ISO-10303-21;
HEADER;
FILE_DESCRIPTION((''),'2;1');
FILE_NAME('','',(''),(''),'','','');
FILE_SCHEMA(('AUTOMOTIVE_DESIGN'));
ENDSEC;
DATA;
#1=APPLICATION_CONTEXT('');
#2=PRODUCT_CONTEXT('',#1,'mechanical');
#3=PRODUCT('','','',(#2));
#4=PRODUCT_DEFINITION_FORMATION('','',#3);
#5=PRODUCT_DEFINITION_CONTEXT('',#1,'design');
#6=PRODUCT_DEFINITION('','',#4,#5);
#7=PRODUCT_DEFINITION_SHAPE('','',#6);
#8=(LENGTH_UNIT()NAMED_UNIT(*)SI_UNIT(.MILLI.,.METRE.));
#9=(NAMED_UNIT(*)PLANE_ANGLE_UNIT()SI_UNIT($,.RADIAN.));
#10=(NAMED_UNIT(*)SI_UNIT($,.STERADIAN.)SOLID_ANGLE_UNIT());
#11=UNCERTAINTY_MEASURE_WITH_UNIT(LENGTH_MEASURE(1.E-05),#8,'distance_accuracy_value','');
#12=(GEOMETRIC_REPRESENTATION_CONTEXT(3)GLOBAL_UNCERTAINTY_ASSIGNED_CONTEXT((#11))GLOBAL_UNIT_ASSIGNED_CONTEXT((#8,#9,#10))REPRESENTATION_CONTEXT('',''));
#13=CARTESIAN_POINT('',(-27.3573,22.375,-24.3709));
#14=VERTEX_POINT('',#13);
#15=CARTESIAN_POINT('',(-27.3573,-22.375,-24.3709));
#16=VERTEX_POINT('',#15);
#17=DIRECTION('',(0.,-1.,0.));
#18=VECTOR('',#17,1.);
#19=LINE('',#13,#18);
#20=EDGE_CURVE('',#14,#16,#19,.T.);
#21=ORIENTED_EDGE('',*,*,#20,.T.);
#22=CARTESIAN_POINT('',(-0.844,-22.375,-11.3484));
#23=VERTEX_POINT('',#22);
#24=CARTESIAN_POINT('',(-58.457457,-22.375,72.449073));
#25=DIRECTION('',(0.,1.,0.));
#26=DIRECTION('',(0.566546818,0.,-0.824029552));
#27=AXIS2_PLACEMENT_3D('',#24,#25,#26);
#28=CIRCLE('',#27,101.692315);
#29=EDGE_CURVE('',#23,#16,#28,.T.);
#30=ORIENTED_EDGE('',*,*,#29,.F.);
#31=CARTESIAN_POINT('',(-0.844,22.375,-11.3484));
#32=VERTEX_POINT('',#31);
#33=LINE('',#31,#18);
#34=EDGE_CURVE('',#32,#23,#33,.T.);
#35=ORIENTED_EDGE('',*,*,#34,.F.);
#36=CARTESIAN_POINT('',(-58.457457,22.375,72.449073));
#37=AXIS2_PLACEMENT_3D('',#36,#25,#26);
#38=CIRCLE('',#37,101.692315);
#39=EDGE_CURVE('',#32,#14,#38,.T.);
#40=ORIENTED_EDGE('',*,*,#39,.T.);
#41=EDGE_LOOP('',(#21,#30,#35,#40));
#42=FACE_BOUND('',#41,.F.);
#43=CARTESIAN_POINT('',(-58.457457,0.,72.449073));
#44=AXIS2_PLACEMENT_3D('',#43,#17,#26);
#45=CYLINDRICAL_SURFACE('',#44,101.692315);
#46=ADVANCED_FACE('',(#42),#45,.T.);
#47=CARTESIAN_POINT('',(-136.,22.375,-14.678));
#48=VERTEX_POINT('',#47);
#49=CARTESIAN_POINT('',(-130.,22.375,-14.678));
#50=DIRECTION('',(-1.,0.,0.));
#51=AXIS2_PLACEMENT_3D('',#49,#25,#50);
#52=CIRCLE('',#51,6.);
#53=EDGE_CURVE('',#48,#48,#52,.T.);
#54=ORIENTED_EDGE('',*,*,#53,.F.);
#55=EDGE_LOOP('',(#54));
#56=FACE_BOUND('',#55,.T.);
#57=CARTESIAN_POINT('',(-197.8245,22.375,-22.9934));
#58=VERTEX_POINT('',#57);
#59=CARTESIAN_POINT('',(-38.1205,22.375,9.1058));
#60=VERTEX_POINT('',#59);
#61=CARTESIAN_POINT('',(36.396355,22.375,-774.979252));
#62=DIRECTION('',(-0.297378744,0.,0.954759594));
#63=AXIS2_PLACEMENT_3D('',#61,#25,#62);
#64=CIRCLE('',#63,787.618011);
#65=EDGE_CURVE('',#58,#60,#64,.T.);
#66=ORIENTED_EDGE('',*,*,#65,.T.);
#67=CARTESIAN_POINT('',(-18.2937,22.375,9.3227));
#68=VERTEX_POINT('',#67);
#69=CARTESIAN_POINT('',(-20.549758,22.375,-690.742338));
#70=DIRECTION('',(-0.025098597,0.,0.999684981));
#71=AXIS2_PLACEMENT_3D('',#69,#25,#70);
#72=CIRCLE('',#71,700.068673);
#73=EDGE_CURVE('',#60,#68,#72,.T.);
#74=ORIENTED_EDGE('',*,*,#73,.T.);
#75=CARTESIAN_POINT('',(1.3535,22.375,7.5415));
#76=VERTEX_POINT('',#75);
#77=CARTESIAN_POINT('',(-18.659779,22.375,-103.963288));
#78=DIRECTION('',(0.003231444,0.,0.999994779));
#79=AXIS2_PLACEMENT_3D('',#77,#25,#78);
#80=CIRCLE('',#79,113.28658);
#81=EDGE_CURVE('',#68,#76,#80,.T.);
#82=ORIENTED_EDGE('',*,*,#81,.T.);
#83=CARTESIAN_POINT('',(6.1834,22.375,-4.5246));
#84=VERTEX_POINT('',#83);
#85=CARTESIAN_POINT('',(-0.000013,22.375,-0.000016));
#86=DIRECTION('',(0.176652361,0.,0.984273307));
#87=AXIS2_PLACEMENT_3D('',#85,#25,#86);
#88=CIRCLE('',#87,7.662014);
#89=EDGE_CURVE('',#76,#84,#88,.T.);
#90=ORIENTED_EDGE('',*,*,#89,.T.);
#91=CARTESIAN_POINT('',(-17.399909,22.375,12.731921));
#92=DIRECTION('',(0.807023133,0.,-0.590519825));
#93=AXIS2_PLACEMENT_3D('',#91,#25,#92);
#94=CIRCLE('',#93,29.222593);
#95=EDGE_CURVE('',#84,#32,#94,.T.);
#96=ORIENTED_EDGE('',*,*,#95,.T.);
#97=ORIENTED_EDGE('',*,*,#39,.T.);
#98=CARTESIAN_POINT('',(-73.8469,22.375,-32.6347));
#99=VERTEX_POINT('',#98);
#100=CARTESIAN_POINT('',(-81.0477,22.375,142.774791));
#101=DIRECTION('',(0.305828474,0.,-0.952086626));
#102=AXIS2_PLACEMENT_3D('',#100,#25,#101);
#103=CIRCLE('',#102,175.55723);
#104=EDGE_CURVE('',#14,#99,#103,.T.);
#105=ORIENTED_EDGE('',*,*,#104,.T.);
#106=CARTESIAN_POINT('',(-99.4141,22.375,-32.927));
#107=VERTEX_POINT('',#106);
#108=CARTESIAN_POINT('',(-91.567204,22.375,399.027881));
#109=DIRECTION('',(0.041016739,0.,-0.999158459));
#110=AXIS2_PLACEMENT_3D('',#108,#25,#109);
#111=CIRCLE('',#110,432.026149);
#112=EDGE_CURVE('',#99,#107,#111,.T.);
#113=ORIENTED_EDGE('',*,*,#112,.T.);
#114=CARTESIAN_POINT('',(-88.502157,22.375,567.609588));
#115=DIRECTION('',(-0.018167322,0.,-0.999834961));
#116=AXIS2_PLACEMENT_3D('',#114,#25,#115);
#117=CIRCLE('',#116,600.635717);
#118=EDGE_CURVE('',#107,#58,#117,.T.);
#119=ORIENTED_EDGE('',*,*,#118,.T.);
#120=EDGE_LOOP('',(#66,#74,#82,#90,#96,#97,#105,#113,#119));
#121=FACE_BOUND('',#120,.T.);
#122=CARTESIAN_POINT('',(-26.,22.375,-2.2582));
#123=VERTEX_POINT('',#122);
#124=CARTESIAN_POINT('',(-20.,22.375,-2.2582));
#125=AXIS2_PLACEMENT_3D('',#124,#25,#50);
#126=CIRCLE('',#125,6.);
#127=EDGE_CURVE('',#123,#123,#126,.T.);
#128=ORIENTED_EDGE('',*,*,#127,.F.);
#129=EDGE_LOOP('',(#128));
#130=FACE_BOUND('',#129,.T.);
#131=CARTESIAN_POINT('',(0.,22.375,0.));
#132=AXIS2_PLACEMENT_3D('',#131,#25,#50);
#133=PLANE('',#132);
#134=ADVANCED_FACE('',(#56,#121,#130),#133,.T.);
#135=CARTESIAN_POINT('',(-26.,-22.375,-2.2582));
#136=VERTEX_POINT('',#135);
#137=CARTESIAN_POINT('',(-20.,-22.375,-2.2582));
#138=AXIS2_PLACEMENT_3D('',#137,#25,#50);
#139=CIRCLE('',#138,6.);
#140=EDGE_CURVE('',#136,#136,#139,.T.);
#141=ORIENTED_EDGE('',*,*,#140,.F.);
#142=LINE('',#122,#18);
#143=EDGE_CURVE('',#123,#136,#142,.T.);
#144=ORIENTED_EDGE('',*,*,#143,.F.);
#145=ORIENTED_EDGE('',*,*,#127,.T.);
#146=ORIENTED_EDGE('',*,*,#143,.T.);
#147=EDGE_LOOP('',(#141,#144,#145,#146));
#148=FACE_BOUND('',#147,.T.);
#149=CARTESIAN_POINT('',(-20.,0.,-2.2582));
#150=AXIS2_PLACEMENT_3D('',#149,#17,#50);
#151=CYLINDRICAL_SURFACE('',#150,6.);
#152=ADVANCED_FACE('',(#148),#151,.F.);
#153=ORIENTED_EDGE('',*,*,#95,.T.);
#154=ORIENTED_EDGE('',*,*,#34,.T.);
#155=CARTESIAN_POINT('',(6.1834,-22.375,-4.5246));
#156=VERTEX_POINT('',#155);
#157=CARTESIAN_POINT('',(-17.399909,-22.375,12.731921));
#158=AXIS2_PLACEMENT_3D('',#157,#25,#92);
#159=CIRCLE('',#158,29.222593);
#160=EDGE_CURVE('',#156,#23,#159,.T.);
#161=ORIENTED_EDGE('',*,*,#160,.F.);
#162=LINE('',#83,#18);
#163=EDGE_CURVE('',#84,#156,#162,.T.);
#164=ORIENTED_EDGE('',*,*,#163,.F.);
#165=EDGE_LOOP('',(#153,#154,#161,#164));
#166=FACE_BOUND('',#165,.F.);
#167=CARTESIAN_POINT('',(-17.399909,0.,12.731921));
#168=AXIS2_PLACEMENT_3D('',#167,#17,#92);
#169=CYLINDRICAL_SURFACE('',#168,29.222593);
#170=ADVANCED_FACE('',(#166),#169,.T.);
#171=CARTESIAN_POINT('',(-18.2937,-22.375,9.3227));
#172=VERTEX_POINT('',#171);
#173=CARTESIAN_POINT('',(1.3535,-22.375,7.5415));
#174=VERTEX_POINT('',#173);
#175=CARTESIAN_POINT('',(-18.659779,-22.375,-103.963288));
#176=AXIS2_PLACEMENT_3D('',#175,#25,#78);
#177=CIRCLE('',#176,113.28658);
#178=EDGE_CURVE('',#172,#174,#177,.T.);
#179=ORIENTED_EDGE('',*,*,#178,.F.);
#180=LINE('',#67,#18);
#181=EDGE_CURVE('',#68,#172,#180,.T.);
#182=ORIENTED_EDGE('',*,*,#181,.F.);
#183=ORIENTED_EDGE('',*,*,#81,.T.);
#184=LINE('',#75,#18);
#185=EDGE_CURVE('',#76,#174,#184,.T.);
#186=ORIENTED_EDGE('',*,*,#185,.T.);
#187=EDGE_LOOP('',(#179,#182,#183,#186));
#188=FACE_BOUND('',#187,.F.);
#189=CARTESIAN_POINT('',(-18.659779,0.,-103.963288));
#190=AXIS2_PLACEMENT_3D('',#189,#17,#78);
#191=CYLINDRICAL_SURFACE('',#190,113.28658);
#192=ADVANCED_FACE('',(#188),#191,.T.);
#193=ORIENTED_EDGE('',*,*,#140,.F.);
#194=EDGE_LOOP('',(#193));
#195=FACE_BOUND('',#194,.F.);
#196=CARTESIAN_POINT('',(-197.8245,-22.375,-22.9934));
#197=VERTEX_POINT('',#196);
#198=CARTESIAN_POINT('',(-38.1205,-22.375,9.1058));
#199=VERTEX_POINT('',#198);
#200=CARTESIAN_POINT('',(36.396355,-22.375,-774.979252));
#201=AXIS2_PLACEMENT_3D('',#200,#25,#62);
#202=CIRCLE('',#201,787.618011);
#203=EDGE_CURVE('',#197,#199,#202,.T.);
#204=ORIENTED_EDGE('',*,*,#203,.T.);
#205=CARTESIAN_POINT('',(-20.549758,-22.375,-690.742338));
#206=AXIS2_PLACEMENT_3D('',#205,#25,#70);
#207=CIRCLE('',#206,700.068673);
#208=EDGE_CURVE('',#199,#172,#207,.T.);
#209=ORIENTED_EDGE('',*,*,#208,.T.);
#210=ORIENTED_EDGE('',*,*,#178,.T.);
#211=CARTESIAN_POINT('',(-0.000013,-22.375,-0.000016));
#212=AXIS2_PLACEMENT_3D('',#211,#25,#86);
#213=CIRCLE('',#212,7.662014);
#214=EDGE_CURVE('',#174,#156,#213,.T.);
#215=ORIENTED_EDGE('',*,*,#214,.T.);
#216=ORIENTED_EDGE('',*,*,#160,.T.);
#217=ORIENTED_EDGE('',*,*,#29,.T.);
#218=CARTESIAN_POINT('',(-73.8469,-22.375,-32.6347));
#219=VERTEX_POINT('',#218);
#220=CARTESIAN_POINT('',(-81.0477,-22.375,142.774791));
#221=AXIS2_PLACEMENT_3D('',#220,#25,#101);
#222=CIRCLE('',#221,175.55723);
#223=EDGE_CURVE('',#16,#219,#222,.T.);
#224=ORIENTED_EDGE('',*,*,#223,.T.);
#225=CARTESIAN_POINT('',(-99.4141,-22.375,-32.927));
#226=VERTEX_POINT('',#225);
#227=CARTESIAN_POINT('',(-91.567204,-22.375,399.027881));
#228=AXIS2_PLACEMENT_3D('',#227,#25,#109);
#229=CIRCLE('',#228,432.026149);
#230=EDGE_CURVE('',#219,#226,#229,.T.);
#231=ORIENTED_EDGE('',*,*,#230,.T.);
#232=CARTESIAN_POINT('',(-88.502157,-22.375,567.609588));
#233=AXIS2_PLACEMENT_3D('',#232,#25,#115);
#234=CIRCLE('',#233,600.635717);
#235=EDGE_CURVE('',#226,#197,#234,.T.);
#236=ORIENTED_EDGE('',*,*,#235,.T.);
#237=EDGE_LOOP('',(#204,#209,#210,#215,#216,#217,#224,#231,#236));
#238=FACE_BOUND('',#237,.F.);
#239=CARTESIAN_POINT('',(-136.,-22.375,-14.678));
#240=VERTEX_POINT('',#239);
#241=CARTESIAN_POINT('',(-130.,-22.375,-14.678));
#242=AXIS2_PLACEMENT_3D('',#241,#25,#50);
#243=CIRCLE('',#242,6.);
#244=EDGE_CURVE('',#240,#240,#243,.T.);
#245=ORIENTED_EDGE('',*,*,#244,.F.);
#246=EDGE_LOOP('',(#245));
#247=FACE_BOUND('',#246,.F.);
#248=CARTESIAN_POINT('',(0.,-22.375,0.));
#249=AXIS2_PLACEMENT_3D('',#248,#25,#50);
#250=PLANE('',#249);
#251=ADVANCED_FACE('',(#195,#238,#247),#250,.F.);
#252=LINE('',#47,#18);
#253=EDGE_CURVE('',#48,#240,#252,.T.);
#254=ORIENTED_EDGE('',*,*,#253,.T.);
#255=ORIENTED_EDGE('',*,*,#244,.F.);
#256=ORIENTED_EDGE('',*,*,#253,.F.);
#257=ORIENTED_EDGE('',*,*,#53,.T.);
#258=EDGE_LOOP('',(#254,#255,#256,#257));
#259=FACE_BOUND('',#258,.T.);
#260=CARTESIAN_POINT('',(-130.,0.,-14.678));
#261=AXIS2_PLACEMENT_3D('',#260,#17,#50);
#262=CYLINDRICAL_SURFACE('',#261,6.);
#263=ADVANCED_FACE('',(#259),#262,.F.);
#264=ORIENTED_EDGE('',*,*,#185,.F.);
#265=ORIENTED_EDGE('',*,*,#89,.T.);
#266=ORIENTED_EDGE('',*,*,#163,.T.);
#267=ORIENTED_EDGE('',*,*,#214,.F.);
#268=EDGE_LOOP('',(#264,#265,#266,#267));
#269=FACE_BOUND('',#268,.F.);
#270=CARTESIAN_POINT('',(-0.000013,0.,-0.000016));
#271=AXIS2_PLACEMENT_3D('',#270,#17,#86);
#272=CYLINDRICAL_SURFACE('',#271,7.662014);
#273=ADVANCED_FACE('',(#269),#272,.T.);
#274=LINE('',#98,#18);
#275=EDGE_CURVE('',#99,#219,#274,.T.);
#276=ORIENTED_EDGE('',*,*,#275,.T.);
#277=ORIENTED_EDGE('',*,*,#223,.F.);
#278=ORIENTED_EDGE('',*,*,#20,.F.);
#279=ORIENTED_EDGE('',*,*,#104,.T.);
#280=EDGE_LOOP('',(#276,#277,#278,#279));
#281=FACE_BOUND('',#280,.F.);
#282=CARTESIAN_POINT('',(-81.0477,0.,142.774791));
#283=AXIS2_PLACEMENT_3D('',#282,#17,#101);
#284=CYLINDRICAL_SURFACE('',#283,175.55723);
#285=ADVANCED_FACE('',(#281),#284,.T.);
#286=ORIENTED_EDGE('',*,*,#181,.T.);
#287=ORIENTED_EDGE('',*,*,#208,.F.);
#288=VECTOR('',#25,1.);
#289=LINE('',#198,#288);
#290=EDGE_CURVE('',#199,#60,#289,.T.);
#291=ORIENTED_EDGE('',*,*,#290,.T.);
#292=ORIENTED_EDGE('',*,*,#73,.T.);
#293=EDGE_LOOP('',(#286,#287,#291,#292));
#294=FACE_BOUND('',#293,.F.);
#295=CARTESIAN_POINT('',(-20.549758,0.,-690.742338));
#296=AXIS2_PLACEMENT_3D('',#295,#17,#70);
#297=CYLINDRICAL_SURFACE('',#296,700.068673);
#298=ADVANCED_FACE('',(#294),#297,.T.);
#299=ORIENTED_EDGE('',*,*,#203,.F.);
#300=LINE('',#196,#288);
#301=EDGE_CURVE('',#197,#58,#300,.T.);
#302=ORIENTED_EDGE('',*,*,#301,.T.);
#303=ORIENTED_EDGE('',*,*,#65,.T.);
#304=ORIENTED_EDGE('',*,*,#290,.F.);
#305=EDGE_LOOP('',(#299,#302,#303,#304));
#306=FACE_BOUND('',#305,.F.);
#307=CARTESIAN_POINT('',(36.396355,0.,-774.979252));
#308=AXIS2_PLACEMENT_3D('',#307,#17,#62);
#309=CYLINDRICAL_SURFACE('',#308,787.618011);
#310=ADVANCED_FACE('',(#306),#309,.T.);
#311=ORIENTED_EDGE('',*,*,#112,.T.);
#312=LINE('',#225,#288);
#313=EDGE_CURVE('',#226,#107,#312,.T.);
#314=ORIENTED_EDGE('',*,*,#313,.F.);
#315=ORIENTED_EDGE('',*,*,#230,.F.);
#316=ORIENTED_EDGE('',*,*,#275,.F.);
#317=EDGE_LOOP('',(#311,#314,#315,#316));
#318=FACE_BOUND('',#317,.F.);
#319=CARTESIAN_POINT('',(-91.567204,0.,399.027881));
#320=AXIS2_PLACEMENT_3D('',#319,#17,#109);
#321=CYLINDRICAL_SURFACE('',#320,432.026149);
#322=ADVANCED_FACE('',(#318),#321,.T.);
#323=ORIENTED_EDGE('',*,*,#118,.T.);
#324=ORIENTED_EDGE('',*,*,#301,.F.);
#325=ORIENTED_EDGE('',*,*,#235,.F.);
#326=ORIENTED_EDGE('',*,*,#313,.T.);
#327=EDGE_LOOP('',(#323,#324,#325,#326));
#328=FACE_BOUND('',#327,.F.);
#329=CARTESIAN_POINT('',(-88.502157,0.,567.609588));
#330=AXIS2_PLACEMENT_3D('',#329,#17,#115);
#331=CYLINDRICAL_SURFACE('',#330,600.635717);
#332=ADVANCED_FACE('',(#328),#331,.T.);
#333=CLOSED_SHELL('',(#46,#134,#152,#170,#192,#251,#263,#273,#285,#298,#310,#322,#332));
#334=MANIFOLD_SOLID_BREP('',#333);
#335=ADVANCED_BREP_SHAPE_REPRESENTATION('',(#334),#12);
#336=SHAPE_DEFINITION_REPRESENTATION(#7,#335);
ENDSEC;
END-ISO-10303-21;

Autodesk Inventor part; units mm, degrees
ref_plane "YZ Plane" through (0, 0, 0) normal (1, 0, 0) x (0, 1, 0)
ref_plane "XZ Plane" through (0, 0, 0) normal (0, 1, 0) x (-1, 0, 0)
ref_plane "XY Plane" through (0, 0, 0) normal (0, 0, 1) x (1, 0, 0)
sketch "スケッチ1" plane through (0, 0, 0) normal (0, 1, 0) x (-1, 0, 0)
  arc A0 (99.4141, -32.927) -> (197.8245, -22.9934) centre (88.5018, 567.6156) ccw projected
  arc A1 (73.8469, -32.6347) -> (99.4141, -32.927) centre (91.566, 398.982) ccw projected
  arc A2 (27.3573, -24.3709) -> (73.8469, -32.6347) centre (81.048, 142.776) ccw projected
  arc A3 (0.844, -11.3484) -> (27.3573, -24.3709) centre (58.458, 72.45) ccw projected
  arc A4 (-6.1834, -4.5246) -> (0.844, -11.3484) centre (17.4, 12.732) ccw projected
  arc A5 (-1.3535, 7.5415) -> (-6.1834, -4.5246) centre (0, 0) ccw projected
  arc A6 (18.2937, 9.3227) -> (-1.3535, 7.5415) centre (18.66, -103.968) ccw projected
  arc A7 (38.1205, 9.1058) -> (18.2937, 9.3227) centre (20.556, -690.396) ccw projected
  arc A8 (197.8245, -22.9934) -> (38.1205, 9.1058) centre (-36.3979, -774.9853) ccw projected
  circle A9 centre (20, -2.2582) radius 6 projected
  circle A10 centre (130, -14.678) radius 6 projected
extrude "押し出し2" add sketch "スケッチ1" along normal mid plane 44.75
properties part number "uretan_mc" material "ポリエチレン、高密度"
